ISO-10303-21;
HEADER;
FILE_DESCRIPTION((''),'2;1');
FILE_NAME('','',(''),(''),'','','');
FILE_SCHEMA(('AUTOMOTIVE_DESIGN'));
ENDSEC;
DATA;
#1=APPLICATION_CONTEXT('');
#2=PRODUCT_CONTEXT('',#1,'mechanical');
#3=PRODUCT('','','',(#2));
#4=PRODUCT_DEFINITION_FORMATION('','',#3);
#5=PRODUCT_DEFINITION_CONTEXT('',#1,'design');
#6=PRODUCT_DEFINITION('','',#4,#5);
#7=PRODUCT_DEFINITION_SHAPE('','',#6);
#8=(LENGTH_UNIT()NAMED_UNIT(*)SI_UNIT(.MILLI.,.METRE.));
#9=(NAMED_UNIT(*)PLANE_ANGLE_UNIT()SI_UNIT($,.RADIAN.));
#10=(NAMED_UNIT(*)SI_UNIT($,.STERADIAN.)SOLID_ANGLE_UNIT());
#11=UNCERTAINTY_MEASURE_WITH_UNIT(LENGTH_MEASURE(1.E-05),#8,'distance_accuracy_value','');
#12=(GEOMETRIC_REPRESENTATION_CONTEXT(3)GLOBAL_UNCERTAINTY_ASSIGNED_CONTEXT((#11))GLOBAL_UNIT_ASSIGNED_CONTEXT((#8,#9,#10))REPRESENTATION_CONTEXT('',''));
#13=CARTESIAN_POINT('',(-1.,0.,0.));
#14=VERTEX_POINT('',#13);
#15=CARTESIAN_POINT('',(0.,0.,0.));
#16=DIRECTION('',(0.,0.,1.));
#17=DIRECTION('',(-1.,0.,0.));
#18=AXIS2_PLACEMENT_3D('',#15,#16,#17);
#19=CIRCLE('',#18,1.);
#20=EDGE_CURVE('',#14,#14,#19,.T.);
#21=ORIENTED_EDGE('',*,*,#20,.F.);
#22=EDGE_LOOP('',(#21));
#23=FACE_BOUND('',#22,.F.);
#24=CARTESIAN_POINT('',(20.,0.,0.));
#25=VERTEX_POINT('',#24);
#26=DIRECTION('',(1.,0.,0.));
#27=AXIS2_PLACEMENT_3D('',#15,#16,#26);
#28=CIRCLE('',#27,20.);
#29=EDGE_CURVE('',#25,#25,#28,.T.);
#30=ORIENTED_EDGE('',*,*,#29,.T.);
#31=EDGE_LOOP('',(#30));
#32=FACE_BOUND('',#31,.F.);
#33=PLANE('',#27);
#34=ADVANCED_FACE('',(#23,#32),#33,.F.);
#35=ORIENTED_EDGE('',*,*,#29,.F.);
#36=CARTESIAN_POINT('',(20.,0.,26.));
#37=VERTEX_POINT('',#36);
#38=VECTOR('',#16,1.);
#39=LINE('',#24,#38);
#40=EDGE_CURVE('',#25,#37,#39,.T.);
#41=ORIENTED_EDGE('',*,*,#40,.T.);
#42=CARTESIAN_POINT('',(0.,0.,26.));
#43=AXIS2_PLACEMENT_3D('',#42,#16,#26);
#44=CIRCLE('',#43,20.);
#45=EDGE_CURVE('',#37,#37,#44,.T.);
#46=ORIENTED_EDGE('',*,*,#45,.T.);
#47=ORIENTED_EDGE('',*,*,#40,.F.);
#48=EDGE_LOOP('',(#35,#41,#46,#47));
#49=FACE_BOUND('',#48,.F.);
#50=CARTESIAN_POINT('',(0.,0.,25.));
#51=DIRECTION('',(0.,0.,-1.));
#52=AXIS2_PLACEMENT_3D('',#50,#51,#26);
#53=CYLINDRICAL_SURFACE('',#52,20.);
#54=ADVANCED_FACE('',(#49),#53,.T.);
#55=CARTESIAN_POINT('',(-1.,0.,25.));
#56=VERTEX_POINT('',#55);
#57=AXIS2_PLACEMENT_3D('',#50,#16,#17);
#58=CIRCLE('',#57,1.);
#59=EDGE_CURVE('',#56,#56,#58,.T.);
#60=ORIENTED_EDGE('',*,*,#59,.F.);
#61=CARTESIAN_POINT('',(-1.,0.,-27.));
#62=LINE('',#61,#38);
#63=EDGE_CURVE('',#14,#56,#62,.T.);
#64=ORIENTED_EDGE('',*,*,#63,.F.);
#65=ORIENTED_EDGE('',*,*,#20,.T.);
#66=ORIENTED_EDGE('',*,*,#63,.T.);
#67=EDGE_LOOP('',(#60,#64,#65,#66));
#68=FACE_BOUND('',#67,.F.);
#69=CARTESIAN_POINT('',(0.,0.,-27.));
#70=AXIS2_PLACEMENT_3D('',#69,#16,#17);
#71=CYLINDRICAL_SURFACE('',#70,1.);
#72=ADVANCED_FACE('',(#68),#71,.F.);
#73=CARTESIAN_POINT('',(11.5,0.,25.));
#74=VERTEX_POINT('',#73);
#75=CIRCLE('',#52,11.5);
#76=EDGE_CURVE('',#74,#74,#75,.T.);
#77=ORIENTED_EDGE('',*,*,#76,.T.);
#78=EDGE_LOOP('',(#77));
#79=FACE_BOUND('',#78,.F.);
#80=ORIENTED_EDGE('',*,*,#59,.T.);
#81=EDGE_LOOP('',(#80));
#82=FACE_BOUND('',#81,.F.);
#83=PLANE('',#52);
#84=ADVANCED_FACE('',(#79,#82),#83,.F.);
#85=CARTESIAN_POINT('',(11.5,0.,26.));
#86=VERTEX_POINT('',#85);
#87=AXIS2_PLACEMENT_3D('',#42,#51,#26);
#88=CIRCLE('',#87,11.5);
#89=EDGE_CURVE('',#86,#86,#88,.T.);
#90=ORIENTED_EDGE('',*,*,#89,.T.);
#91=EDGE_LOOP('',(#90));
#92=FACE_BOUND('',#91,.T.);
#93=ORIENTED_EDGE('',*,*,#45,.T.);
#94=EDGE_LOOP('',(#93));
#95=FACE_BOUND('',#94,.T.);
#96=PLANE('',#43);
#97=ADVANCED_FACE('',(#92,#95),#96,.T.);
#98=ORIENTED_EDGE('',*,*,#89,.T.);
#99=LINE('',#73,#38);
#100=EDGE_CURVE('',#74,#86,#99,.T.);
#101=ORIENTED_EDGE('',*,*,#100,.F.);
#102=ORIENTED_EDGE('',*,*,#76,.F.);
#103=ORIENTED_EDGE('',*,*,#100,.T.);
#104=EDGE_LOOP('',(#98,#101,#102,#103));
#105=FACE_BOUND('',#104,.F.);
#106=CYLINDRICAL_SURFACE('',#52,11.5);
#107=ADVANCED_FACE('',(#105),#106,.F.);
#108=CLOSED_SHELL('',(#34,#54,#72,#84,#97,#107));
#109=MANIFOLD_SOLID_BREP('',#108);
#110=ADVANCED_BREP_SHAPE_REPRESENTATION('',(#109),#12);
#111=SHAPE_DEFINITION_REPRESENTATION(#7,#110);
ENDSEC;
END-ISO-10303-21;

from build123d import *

# Parameters (mm, degrees)
F0_R     = 20
F1_DEPTH = 25
F2_D     = 2
F2_DEPTH = 27
F2_TIP   = 0.600860619
F3_R     = 20
F4_DEPTH = 1
F5_D     = 23
F5_DEPTH = 4
F5_TIP   = 6.9098971188


with BuildPart() as f1:
    # F0 (on Top) → F1 (new body)
    with BuildSketch(Plane.XY):
        Circle(F0_R)
    extrude(amount=F1_DEPTH)

    # F2
    with Locations(Plane(origin=(0, 0, 0), x_dir=(1, 0, 0), z_dir=(0, 0, -1))):
        with Locations((0, 0)):
            Hole(F2_D / 2, depth=F2_DEPTH)
            with Locations((0, 0, -(F2_DEPTH + F2_TIP / 2))):  # 118° drill point
                Cone(0, F2_D / 2, F2_TIP, mode=Mode.SUBTRACT)

    # F3 (on face) → F4 (join)
    with BuildSketch(Plane.XY.offset(25)):
        Circle(F3_R)
    extrude(amount=F4_DEPTH)

    # F5 (one way)
    with BuildSketch(Plane(origin=(0, 0, 25), x_dir=(1, 0, 0), z_dir=(0, 0, -1))):
        with Locations((0, 0)):
            Circle(F5_D / 2)
    extrude(amount=-F5_DEPTH, mode=Mode.SUBTRACT)
    with Locations(Plane(origin=(0, 0, 25), x_dir=(1, 0, 0), z_dir=(0, 0, -1))):
        with Locations((0, 0)):
            with Locations((0, 0, -(F5_DEPTH + F5_TIP / 2))):  # 118° drill point
                Cone(0, F5_D / 2, F5_TIP, mode=Mode.SUBTRACT)


solid = f1.part
